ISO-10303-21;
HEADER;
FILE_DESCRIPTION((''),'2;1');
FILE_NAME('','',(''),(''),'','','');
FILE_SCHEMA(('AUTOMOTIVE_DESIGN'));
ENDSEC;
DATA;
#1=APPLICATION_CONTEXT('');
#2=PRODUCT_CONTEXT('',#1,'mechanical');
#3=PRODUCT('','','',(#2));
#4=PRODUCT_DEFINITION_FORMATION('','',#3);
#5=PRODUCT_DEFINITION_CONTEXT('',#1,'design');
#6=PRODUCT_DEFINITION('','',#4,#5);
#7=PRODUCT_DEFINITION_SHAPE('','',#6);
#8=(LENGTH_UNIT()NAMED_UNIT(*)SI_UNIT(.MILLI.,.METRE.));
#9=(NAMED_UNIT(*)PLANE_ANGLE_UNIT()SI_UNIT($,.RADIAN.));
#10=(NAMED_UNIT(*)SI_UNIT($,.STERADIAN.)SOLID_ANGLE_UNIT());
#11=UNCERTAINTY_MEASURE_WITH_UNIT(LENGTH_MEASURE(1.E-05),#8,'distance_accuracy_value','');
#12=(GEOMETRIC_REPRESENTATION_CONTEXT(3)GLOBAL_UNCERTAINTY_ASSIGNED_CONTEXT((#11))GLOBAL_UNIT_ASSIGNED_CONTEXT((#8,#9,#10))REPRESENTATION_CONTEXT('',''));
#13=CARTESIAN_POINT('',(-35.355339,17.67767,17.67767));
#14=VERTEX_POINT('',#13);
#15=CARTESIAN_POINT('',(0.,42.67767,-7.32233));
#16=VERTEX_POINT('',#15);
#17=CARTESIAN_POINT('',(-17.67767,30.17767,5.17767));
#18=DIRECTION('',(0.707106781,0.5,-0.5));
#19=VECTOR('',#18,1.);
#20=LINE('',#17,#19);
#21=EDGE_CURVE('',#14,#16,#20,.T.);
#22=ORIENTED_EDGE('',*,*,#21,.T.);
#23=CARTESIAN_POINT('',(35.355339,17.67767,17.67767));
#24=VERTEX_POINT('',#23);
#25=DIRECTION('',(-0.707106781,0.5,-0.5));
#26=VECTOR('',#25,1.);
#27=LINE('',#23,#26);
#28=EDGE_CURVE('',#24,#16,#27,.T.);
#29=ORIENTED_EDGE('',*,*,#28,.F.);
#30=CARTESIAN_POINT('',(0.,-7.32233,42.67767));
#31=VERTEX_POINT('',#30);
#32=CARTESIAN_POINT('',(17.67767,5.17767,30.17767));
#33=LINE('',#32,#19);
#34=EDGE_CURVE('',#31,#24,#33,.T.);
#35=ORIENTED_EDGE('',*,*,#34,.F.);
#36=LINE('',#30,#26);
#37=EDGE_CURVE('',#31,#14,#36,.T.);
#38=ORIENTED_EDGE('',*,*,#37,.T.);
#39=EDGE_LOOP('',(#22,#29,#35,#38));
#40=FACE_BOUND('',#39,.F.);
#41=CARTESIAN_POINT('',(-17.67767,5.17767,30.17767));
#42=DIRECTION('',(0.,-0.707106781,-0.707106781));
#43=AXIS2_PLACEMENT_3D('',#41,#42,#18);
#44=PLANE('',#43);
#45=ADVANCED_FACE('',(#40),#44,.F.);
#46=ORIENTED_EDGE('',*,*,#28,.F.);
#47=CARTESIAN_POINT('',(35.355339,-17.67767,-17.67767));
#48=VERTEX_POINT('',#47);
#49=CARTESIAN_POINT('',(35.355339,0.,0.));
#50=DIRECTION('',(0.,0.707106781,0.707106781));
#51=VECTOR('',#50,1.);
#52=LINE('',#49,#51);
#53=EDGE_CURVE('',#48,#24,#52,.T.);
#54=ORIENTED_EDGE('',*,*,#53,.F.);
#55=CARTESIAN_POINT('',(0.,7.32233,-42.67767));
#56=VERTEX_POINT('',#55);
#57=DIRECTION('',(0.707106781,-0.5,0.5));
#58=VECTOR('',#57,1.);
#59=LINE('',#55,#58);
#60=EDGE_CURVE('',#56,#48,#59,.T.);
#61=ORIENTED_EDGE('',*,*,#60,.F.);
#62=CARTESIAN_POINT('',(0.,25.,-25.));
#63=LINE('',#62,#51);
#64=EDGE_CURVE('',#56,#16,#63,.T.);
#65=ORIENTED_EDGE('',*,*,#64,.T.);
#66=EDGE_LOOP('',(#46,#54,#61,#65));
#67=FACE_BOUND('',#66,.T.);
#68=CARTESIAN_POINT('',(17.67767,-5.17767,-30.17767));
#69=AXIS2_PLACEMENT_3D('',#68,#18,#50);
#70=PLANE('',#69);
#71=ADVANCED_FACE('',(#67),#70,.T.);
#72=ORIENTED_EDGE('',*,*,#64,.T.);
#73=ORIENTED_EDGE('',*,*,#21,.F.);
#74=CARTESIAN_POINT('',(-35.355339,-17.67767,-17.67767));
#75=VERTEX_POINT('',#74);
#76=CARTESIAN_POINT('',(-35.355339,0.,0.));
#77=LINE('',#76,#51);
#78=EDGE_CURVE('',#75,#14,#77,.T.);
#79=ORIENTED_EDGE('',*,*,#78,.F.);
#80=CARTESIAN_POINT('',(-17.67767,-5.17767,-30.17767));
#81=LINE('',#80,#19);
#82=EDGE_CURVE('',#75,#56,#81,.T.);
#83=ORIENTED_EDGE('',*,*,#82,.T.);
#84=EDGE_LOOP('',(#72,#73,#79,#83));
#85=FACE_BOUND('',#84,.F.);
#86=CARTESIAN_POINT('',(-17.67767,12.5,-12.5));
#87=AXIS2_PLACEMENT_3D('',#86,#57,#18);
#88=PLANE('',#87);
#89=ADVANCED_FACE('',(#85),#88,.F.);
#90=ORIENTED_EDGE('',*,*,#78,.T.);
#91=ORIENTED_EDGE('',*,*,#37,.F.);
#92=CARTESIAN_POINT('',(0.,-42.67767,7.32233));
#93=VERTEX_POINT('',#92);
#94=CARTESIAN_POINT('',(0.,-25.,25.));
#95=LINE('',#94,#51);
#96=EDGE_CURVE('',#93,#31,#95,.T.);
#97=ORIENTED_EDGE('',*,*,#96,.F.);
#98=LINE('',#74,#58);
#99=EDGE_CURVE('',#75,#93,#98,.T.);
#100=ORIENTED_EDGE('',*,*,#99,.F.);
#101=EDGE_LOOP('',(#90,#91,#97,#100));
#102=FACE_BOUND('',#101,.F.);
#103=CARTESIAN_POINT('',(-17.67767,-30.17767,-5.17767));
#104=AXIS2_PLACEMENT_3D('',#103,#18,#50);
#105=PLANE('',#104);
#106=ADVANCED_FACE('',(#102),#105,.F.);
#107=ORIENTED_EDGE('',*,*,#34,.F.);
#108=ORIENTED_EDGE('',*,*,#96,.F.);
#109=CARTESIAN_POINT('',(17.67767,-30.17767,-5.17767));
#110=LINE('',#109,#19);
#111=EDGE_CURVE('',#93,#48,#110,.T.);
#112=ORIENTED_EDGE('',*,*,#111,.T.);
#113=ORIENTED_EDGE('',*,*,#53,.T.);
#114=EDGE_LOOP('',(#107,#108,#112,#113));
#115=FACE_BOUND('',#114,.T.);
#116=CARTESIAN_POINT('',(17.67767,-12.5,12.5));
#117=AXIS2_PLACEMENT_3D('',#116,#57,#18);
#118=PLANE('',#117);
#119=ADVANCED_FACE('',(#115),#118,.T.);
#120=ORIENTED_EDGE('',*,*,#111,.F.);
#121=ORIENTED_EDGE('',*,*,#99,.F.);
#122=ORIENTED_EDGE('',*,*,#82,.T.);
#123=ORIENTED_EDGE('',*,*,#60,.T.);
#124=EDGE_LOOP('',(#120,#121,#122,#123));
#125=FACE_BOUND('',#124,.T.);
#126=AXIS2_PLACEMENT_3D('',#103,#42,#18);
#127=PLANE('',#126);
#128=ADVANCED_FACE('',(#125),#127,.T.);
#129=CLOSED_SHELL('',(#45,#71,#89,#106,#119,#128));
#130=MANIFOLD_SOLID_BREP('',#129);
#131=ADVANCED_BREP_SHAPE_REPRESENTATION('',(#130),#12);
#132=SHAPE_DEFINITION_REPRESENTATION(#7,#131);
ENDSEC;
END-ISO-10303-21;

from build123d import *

# Parameters (mm, degrees)
F1_W     = 50
F1_H     = 50
F2_DEPTH = 25
F4_ANGLE = 45
F6_ANGLE = 45


with BuildPart() as f2:
    # F1 (on Top) → F2 (new body, symmetric)
    with BuildSketch(Plane.XY):
        Rectangle(F1_W, F1_H)
    extrude(amount=F2_DEPTH, both=True)


with BuildPart() as f2_1:
    # F4: moved
    add(f2.part.rotate(Axis((0, 0, 0), (0, 1, 0)), F4_ANGLE))


with BuildPart() as f2_2:
    # F6: moved
    add(f2_1.part.rotate(Axis((0, 0, 0), (1, 0, 0)), F6_ANGLE))


solid = f2_2.part
